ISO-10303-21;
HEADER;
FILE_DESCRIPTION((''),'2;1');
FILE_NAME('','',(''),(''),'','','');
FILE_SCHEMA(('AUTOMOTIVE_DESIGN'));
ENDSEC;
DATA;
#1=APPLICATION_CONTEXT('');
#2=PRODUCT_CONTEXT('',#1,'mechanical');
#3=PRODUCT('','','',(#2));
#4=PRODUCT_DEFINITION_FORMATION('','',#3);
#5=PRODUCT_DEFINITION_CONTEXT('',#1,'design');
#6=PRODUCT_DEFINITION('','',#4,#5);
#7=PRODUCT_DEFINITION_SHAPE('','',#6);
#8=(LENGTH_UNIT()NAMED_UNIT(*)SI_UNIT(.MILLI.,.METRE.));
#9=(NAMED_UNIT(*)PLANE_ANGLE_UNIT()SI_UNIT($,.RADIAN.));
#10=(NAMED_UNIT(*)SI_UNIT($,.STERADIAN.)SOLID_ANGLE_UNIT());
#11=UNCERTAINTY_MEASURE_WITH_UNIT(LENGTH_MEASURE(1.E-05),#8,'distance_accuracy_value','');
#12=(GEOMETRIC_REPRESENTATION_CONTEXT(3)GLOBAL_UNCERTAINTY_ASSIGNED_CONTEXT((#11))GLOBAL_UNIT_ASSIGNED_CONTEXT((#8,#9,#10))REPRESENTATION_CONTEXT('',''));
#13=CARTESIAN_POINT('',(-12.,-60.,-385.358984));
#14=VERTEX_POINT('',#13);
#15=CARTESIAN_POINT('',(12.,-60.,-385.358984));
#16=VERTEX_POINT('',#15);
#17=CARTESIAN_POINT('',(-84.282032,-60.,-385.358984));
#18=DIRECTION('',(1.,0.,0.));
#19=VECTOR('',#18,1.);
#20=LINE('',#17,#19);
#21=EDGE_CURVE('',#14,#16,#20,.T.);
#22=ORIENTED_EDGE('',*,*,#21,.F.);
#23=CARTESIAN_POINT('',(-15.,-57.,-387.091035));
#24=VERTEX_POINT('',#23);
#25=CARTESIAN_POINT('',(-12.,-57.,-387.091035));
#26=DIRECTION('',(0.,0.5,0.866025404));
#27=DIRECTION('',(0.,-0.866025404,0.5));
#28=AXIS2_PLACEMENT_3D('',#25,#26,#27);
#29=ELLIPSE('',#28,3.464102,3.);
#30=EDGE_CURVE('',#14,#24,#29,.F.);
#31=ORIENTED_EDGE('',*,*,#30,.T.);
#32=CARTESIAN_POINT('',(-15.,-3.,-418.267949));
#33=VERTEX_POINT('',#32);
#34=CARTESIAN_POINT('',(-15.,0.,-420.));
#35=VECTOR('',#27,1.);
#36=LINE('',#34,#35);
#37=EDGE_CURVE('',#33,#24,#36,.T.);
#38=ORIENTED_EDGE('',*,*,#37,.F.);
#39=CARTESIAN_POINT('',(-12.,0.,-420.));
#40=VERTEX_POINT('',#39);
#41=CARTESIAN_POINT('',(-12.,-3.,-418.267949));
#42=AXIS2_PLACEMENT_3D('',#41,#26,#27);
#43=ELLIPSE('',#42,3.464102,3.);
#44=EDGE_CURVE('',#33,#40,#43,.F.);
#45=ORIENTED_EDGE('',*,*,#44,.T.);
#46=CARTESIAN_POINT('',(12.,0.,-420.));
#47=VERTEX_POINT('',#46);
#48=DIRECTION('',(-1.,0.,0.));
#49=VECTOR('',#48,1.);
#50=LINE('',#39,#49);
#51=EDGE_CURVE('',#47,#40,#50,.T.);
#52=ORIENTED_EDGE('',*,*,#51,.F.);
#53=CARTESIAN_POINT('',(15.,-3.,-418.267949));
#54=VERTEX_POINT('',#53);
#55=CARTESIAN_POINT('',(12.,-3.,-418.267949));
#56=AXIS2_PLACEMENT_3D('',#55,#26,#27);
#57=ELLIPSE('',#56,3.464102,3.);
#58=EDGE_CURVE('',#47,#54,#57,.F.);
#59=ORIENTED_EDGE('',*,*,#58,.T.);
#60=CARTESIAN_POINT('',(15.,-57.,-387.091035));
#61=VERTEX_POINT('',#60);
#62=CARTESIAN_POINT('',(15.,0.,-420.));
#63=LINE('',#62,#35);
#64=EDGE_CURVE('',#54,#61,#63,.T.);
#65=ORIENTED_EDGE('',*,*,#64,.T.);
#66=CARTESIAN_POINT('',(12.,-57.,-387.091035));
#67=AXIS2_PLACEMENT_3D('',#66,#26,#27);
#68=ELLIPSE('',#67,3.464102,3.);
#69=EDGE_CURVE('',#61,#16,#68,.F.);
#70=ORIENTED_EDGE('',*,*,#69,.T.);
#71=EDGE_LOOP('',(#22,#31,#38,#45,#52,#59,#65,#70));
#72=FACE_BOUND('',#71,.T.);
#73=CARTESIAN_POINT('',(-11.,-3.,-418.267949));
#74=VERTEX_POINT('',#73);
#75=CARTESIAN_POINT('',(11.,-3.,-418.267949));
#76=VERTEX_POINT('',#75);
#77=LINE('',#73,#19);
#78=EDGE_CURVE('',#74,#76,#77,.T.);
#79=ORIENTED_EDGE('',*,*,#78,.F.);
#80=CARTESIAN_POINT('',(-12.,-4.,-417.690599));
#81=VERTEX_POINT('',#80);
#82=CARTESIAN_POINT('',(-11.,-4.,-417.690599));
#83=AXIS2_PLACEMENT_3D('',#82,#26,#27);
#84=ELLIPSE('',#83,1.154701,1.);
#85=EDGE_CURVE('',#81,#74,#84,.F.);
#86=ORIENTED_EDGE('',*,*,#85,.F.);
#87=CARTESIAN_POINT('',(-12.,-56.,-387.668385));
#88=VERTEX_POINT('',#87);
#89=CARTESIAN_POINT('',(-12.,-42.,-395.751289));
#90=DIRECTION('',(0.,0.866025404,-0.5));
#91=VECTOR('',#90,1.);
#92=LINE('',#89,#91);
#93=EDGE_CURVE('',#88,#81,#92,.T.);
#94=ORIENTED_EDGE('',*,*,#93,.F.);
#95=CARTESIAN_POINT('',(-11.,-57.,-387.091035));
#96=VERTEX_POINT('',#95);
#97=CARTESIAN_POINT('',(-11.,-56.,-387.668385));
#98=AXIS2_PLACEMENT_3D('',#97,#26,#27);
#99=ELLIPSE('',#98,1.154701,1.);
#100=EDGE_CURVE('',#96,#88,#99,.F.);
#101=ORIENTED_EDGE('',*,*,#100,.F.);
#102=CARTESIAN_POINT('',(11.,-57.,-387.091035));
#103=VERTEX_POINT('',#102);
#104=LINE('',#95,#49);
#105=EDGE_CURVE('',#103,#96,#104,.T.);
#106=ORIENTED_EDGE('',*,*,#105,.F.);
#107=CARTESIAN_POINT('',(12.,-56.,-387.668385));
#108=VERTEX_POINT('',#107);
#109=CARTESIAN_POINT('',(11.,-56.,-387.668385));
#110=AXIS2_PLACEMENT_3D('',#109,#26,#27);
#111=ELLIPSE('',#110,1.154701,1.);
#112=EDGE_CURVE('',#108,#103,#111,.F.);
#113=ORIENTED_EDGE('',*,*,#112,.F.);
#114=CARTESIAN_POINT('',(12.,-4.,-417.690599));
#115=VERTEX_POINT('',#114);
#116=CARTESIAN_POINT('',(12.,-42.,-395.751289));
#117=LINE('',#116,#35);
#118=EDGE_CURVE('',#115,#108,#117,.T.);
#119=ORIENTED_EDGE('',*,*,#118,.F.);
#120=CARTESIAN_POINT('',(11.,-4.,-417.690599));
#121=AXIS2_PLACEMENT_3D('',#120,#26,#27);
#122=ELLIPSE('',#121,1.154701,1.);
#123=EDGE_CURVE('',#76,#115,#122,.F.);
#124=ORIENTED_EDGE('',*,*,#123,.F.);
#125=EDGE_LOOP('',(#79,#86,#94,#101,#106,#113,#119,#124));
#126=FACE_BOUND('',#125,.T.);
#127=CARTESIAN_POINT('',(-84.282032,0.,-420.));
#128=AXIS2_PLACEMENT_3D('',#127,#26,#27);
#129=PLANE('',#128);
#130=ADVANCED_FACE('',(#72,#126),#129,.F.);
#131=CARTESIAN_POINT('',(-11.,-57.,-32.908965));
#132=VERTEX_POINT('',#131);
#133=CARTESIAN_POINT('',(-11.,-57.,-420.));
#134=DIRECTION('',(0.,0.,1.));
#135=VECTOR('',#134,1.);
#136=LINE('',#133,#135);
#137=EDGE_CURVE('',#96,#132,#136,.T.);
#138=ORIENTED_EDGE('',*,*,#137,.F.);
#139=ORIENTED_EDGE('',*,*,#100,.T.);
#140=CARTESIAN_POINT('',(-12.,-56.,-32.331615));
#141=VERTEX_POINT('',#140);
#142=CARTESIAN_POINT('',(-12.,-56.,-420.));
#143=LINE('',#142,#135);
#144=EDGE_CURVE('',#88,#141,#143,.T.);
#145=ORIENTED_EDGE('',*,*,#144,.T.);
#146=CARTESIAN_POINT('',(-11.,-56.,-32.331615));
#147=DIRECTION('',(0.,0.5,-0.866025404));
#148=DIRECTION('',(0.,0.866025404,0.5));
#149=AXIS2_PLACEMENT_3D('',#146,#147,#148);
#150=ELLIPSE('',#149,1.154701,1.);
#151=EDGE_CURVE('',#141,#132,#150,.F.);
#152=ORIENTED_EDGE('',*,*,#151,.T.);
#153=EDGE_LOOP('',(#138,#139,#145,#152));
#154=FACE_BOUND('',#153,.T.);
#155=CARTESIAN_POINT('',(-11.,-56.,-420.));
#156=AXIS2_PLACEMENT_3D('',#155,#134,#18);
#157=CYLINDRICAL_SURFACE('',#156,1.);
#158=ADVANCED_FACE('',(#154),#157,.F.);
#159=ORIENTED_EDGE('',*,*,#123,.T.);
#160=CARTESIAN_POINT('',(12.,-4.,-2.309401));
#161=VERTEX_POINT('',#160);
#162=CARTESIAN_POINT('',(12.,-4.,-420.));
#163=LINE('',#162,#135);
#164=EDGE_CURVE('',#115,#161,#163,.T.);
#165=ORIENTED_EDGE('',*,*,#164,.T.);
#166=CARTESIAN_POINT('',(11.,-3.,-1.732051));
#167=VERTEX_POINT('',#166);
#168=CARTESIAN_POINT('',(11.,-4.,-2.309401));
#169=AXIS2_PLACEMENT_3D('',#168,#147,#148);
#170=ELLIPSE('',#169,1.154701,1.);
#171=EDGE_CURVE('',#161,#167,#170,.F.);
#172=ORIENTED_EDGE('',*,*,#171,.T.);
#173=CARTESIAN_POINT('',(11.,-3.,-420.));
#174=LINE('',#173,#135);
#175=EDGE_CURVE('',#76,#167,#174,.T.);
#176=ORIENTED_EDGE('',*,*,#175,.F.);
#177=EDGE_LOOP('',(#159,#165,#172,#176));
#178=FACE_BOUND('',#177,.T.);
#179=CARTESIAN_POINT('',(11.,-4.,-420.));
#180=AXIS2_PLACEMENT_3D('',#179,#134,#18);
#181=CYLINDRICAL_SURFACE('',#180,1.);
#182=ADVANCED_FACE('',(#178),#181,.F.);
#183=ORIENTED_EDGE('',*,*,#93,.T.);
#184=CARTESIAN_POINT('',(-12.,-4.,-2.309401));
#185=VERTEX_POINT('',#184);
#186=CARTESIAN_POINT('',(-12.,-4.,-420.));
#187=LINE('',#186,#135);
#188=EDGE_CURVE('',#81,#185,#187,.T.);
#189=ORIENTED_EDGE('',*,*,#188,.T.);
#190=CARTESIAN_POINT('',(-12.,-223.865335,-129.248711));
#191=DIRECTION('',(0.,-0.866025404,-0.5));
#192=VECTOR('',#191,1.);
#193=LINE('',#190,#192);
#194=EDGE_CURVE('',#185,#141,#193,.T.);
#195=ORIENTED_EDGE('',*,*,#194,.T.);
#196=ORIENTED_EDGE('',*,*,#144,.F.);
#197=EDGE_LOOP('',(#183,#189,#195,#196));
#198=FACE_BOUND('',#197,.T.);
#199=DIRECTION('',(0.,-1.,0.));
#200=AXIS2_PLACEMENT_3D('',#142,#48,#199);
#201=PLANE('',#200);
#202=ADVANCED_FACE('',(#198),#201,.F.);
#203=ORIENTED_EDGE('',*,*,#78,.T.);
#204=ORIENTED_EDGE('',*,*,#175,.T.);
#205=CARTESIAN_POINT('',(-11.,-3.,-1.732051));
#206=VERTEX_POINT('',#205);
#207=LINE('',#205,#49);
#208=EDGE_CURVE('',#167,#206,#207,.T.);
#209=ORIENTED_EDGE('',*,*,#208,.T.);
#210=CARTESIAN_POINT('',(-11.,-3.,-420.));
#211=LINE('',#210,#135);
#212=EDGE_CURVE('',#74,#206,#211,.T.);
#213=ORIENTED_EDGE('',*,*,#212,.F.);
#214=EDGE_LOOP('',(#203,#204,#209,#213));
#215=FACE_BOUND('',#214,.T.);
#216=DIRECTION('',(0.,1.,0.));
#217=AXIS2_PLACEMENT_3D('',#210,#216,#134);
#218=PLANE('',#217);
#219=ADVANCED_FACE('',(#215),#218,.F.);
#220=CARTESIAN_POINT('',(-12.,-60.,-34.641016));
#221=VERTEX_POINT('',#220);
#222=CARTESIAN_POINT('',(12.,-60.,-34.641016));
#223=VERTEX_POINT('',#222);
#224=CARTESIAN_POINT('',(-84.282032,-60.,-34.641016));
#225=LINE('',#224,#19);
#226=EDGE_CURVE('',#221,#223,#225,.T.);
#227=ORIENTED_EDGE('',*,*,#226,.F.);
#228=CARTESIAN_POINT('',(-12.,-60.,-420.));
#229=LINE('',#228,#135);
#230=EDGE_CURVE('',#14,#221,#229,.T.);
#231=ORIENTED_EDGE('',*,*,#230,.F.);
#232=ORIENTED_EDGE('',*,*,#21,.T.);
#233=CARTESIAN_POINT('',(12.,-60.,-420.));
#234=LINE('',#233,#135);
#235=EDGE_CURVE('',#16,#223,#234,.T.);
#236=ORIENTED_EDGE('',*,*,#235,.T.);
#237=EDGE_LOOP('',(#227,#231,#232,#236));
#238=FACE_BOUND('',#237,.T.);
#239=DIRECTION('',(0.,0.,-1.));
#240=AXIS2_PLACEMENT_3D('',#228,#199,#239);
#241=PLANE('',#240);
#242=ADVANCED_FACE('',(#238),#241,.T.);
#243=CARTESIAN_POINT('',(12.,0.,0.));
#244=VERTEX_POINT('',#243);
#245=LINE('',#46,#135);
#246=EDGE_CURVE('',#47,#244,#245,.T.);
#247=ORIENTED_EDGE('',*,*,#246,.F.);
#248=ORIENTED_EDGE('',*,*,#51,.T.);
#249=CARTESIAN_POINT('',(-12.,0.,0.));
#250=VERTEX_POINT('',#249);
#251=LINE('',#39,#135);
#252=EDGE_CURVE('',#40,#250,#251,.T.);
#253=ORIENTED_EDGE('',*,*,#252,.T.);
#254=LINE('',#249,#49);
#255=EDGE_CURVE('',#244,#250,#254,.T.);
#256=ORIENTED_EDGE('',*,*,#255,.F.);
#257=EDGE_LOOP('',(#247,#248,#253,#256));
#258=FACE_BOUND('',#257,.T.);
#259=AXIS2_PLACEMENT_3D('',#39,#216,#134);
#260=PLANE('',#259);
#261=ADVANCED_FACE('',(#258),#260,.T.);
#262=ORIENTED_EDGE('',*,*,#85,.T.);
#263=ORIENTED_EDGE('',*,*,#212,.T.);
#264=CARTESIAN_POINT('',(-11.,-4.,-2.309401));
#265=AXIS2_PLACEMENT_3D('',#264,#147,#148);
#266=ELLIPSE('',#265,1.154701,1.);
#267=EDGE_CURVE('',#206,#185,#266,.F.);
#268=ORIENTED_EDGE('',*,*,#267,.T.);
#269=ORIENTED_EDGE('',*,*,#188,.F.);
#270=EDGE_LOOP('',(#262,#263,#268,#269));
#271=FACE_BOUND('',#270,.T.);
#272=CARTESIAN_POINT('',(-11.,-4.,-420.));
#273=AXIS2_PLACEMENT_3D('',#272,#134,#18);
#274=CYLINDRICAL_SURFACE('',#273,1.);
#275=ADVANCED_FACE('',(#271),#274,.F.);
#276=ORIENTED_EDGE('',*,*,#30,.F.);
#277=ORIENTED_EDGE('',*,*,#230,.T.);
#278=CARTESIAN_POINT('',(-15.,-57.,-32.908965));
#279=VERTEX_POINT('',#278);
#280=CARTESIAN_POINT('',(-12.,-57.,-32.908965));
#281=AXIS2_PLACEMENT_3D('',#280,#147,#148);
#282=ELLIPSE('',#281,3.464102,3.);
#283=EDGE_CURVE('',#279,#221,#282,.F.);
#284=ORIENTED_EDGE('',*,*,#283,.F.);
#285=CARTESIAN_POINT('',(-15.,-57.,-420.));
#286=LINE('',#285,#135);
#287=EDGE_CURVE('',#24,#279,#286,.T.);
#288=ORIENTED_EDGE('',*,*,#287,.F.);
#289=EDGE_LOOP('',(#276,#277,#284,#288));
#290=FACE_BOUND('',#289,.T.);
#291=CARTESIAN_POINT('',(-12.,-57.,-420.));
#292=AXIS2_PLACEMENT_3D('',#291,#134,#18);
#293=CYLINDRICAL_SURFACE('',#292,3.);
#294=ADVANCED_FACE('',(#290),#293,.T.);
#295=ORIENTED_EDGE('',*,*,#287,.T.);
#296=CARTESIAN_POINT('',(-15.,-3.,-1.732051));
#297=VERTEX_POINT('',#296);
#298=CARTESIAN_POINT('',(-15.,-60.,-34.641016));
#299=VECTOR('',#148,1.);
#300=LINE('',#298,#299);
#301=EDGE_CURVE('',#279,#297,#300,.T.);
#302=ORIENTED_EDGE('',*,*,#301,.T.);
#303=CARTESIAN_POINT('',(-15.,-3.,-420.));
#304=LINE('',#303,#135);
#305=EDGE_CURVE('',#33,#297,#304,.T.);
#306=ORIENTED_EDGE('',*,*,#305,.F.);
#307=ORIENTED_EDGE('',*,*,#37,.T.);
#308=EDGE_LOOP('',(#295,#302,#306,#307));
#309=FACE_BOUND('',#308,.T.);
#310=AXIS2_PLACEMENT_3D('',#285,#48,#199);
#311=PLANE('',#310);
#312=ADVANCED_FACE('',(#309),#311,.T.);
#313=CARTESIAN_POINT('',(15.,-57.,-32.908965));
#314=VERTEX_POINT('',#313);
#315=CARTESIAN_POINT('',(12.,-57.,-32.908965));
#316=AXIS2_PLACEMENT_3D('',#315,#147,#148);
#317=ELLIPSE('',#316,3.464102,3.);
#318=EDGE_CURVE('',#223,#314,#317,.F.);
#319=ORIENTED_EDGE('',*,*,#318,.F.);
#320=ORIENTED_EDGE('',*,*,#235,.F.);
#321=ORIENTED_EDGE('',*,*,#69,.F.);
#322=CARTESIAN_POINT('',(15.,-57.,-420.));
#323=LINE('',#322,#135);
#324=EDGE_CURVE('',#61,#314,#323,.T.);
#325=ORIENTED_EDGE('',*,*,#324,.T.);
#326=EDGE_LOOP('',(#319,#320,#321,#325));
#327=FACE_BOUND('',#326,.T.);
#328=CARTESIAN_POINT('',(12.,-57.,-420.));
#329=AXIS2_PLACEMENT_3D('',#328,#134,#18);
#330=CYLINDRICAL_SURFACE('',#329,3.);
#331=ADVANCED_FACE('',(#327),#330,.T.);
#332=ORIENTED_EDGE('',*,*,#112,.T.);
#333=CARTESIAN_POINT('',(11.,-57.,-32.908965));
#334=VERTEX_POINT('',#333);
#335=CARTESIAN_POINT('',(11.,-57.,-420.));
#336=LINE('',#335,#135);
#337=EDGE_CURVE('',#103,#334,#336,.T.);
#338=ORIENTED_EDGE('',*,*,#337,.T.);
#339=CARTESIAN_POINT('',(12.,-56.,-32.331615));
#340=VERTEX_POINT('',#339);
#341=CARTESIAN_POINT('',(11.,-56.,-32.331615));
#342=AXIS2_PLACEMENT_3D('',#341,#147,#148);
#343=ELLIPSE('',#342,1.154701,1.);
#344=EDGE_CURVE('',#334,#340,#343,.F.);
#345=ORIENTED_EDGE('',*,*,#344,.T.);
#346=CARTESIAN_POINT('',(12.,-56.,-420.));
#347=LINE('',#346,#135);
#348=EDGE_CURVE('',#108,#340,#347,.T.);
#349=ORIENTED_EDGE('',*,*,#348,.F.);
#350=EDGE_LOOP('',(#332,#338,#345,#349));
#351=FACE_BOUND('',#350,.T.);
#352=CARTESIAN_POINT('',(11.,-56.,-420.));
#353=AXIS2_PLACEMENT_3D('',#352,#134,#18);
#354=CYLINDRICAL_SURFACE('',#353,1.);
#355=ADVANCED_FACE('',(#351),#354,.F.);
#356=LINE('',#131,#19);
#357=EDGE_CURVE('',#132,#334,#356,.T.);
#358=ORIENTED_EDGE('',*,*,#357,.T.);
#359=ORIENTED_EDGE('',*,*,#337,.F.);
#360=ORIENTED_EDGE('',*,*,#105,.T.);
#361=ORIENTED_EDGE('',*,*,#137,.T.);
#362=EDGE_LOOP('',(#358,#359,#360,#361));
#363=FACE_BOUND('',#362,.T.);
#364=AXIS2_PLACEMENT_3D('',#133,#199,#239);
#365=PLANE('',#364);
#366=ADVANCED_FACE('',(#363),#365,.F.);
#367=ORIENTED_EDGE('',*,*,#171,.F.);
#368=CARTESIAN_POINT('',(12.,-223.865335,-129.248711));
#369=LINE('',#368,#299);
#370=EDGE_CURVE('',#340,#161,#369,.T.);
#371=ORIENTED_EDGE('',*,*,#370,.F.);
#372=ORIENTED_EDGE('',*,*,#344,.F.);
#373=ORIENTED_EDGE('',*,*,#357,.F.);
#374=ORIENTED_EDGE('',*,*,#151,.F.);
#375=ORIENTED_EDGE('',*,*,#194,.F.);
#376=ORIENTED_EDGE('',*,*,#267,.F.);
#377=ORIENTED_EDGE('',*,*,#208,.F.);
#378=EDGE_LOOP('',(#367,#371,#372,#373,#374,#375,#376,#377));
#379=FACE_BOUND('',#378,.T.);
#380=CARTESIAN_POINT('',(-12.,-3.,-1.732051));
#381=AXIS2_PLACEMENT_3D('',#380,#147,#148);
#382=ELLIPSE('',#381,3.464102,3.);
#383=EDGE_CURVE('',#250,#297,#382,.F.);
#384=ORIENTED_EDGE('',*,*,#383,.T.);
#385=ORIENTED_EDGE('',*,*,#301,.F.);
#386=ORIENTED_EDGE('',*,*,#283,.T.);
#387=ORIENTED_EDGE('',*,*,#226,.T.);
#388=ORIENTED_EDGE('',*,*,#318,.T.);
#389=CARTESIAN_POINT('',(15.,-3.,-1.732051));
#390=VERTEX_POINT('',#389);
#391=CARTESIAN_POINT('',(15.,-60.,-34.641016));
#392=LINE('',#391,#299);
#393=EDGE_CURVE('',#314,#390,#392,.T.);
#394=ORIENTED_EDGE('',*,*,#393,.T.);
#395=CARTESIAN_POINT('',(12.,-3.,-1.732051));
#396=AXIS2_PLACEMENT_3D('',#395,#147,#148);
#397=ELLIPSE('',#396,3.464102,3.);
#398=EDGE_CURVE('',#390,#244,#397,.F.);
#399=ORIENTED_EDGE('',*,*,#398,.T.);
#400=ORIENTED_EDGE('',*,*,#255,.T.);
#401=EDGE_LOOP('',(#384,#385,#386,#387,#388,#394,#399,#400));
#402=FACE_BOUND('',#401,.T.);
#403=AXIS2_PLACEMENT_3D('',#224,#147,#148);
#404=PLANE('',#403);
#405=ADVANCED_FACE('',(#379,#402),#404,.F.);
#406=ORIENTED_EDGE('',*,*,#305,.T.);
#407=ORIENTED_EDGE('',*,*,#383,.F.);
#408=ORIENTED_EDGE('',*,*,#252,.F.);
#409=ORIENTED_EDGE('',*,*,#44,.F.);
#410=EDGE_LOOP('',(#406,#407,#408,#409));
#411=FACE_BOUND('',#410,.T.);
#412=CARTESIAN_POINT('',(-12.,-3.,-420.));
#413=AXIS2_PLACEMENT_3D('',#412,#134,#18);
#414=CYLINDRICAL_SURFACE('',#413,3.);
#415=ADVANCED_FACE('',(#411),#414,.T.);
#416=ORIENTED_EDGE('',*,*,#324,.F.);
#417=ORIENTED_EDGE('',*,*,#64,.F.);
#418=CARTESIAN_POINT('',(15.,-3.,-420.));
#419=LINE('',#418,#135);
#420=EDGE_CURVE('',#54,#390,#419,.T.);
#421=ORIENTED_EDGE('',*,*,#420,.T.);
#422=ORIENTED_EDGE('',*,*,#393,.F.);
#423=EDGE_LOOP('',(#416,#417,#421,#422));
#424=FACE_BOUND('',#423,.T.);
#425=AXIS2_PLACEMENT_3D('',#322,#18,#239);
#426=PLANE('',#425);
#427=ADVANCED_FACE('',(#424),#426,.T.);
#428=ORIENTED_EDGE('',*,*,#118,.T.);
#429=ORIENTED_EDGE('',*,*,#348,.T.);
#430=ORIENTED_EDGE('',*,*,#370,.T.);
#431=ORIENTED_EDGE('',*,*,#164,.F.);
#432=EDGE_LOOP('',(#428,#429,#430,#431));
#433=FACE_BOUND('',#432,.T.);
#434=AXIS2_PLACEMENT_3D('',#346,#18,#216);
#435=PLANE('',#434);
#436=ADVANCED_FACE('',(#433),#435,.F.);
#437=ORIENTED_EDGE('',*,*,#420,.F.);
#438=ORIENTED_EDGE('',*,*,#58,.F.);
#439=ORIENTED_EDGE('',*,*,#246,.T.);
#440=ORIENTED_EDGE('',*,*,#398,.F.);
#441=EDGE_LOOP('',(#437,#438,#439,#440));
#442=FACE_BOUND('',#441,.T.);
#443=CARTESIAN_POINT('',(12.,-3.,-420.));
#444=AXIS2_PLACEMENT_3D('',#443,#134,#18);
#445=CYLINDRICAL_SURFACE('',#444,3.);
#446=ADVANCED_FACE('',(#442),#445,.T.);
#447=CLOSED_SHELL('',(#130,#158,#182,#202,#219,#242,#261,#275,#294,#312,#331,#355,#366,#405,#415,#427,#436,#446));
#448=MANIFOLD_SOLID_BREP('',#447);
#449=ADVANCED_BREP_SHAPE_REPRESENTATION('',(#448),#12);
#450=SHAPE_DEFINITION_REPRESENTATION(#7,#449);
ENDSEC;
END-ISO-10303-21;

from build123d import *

# Parameters (mm, degrees)
DODANIE_WYCI_GNI_CIE1_DEPTH = 420
WYTNIJ_WYCI_GNI_CIE1_REACH  = 427.323


with BuildPart() as part:
    # Szkic1 → Dodanie-wyciągnięcie1 (new body)
    with BuildSketch(Plane.XY):
        with BuildLine():
            Line((-12, -60), (12, -60))
            ThreePointArc((12, -60), (14.121320344, -59.121320344), (15, -57))
            Line((15, -57), (15, -3))
            ThreePointArc((15, -3), (14.121320344, -0.878679656), (12, 0))
            Line((12, 0), (-12, 0))
            ThreePointArc((-12, 0), (-14.121320344, -0.878679656), (-15, -3))
            Line((-15, -3), (-15, -57))
            ThreePointArc((-15, -57), (-14.121320344, -59.121320344), (-12, -60))
        make_face()
        with BuildLine():
            Line((-11, -3), (11, -3))
            ThreePointArc((11, -3), (11.707106781, -3.292893219), (12, -4))
            Line((12, -4), (12, -56))
            ThreePointArc((12, -56), (11.707106781, -56.707106781), (11, -57))
            Line((11, -57), (-11, -57))
            ThreePointArc((-11, -57), (-11.707106781, -56.707106781), (-12, -56))
            Line((-12, -56), (-12, -4))
            ThreePointArc((-12, -4), (-11.707106781, -3.292893219), (-11, -3))
        make_face(mode=Mode.SUBTRACT)
    extrude(amount=-DODANIE_WYCI_GNI_CIE1_DEPTH)

    # Wytnij-wyciągnięcie1: up to this face of the body (flat: up to its plane)
    wytnij_wyci_gni_cie1_end = Plane(part.part.faces().sort_by_distance((-15, -30, -210))[0])
    # Szkic2 → Wytnij-wyciągnięcie1 (cut, up to the picked face)
    with BuildSketch(Plane(origin=(15, 0, 0), x_dir=(0, 0, -1), z_dir=(1, 0, 0)), mode=Mode.PRIVATE) as wytnij_wyci_gni_cie1_sk1:
        Polygon((0, -60), (34.641016151, -60), (0, 0), align=None)
    wytnij_wyci_gni_cie1_tool1 = split(extrude(wytnij_wyci_gni_cie1_sk1.sketch, amount=-WYTNIJ_WYCI_GNI_CIE1_REACH, mode=Mode.PRIVATE), bisect_by=wytnij_wyci_gni_cie1_end, keep=Keep.BOTH, mode=Mode.PRIVATE)
    # Szkic2 → Wytnij-wyciągnięcie1 (cut, up to the picked face)
    with BuildSketch(Plane(origin=(15, 0, 0), x_dir=(0, 0, -1), z_dir=(1, 0, 0)), mode=Mode.PRIVATE) as wytnij_wyci_gni_cie1_sk2:
        Polygon((420, -60), (420, 0), (385.358983849, -60), align=None)
    wytnij_wyci_gni_cie1_tool2 = split(extrude(wytnij_wyci_gni_cie1_sk2.sketch, amount=-WYTNIJ_WYCI_GNI_CIE1_REACH, mode=Mode.PRIVATE), bisect_by=wytnij_wyci_gni_cie1_end, keep=Keep.BOTH, mode=Mode.PRIVATE)
    add(wytnij_wyci_gni_cie1_tool1.solids().sort_by(Axis((15, -40, -11.547005), (-1, 0, 0)))[0], mode=Mode.SUBTRACT)
    add(wytnij_wyci_gni_cie1_tool2.solids().sort_by(Axis((15, -40, -408.452995), (-1, 0, 0)))[0], mode=Mode.SUBTRACT)


solid = part.part
